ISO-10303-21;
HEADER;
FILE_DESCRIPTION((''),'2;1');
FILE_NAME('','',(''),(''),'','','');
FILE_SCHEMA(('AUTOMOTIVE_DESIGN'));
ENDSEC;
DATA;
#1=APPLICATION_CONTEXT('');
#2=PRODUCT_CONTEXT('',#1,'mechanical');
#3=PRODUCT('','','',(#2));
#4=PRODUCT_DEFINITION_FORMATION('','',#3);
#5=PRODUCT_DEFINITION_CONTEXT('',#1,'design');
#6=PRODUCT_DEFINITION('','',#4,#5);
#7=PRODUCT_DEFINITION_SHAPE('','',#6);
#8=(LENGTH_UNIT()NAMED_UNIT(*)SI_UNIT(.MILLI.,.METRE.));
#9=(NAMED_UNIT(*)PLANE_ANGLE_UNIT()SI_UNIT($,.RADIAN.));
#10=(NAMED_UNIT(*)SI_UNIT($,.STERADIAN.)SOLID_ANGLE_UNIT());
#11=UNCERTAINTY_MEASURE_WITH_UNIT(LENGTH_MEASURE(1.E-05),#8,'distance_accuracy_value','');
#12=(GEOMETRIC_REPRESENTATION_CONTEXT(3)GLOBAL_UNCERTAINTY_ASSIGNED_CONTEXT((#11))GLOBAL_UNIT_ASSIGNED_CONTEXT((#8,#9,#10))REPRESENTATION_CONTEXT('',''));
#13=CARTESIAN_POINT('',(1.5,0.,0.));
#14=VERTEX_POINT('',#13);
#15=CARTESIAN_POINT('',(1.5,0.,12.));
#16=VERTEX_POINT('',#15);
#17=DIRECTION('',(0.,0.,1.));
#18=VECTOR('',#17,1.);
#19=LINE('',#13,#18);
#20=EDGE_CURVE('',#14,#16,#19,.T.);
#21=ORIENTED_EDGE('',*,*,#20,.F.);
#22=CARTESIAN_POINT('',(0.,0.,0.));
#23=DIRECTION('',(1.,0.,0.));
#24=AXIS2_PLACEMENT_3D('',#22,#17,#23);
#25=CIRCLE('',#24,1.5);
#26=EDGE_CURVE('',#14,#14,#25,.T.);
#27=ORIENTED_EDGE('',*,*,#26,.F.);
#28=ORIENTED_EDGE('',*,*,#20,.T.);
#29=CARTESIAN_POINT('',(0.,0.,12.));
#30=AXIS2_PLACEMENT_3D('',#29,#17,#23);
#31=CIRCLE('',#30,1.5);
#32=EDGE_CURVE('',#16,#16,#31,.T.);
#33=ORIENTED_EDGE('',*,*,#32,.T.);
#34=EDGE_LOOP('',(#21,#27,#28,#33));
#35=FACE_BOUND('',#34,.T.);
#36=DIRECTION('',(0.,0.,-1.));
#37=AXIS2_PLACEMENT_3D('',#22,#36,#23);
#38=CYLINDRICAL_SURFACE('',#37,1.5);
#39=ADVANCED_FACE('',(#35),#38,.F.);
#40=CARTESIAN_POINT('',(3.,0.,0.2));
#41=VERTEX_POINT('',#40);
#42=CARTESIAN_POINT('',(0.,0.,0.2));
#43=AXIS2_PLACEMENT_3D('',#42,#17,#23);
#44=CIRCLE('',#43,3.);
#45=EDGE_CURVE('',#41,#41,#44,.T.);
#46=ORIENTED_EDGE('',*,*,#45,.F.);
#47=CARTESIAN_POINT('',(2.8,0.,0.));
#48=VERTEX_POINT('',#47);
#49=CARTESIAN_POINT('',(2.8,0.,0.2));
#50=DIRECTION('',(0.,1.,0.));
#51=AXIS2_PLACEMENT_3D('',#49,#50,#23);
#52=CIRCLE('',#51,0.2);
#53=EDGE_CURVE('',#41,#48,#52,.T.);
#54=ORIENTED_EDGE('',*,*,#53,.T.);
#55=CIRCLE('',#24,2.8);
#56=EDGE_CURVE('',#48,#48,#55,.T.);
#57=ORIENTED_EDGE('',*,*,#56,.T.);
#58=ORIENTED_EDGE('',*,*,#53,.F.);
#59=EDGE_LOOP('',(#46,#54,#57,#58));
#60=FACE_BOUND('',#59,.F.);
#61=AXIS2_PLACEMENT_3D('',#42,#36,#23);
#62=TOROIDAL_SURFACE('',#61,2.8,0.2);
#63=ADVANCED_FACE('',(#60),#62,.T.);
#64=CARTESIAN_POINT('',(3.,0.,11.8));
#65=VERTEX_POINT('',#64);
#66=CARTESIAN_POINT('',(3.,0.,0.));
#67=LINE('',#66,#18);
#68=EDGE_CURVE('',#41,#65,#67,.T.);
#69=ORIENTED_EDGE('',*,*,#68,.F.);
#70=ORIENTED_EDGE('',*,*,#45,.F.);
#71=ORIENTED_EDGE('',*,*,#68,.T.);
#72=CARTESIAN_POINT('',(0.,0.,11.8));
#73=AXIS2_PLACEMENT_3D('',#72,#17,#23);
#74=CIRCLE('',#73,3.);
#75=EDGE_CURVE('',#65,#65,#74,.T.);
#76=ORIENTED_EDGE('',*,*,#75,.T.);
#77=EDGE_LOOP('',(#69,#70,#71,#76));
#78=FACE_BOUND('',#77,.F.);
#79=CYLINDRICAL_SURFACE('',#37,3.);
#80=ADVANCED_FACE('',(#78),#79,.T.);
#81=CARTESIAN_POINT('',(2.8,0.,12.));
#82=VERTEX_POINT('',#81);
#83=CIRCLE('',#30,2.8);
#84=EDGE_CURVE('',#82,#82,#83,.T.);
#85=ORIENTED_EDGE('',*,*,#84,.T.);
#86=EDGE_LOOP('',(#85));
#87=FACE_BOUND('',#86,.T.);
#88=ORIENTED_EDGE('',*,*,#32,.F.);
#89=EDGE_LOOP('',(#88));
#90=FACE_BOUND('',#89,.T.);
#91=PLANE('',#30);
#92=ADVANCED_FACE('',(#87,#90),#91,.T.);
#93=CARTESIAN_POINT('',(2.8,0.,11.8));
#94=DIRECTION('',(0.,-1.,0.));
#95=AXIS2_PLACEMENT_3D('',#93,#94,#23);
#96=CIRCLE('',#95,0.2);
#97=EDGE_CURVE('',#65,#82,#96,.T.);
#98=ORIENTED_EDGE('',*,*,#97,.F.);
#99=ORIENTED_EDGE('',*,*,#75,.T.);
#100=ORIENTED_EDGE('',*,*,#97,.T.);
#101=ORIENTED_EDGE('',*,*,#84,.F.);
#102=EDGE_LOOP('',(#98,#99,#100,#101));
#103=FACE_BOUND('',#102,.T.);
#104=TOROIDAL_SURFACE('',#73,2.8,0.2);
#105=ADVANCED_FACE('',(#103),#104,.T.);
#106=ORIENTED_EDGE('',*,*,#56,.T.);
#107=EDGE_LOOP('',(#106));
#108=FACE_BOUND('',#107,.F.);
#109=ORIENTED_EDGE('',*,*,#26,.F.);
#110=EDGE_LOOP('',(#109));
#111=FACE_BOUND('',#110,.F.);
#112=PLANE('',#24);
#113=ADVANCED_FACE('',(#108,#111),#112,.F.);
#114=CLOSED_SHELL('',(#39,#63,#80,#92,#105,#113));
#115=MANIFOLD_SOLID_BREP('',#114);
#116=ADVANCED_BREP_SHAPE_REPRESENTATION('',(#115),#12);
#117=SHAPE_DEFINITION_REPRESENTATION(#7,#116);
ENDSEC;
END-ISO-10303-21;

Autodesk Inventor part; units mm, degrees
ref_plane "YZ Plane" through (0, 0, 0) normal (1, 0, 0) x (0, 1, 0)
ref_plane "XZ Plane" through (0, 0, 0) normal (0, 1, 0) x (-1, 0, 0)
ref_plane "XY Plane" through (0, 0, 0) normal (0, 0, 1) x (1, 0, 0)
sketch "スケッチ1" plane through (0, 0, 0) normal (0, 0, 1) x (1, 0, 0)
  circle A0 centre (0, 0) radius 3
  circle A1 centre (0, 0) radius 1.5
  dimension "d0" = 6
  dimension "d1" = 3
extrude "押し出し1" add sketch "スケッチ1" along normal blind 12
fillet "フィレット1" radius 0.2 2 edges at (-3, 0, 0) (-3, 0, 12)
properties part number "スペーサー中空M3L12アルミ" material "アルミニウム 2014-T4"
